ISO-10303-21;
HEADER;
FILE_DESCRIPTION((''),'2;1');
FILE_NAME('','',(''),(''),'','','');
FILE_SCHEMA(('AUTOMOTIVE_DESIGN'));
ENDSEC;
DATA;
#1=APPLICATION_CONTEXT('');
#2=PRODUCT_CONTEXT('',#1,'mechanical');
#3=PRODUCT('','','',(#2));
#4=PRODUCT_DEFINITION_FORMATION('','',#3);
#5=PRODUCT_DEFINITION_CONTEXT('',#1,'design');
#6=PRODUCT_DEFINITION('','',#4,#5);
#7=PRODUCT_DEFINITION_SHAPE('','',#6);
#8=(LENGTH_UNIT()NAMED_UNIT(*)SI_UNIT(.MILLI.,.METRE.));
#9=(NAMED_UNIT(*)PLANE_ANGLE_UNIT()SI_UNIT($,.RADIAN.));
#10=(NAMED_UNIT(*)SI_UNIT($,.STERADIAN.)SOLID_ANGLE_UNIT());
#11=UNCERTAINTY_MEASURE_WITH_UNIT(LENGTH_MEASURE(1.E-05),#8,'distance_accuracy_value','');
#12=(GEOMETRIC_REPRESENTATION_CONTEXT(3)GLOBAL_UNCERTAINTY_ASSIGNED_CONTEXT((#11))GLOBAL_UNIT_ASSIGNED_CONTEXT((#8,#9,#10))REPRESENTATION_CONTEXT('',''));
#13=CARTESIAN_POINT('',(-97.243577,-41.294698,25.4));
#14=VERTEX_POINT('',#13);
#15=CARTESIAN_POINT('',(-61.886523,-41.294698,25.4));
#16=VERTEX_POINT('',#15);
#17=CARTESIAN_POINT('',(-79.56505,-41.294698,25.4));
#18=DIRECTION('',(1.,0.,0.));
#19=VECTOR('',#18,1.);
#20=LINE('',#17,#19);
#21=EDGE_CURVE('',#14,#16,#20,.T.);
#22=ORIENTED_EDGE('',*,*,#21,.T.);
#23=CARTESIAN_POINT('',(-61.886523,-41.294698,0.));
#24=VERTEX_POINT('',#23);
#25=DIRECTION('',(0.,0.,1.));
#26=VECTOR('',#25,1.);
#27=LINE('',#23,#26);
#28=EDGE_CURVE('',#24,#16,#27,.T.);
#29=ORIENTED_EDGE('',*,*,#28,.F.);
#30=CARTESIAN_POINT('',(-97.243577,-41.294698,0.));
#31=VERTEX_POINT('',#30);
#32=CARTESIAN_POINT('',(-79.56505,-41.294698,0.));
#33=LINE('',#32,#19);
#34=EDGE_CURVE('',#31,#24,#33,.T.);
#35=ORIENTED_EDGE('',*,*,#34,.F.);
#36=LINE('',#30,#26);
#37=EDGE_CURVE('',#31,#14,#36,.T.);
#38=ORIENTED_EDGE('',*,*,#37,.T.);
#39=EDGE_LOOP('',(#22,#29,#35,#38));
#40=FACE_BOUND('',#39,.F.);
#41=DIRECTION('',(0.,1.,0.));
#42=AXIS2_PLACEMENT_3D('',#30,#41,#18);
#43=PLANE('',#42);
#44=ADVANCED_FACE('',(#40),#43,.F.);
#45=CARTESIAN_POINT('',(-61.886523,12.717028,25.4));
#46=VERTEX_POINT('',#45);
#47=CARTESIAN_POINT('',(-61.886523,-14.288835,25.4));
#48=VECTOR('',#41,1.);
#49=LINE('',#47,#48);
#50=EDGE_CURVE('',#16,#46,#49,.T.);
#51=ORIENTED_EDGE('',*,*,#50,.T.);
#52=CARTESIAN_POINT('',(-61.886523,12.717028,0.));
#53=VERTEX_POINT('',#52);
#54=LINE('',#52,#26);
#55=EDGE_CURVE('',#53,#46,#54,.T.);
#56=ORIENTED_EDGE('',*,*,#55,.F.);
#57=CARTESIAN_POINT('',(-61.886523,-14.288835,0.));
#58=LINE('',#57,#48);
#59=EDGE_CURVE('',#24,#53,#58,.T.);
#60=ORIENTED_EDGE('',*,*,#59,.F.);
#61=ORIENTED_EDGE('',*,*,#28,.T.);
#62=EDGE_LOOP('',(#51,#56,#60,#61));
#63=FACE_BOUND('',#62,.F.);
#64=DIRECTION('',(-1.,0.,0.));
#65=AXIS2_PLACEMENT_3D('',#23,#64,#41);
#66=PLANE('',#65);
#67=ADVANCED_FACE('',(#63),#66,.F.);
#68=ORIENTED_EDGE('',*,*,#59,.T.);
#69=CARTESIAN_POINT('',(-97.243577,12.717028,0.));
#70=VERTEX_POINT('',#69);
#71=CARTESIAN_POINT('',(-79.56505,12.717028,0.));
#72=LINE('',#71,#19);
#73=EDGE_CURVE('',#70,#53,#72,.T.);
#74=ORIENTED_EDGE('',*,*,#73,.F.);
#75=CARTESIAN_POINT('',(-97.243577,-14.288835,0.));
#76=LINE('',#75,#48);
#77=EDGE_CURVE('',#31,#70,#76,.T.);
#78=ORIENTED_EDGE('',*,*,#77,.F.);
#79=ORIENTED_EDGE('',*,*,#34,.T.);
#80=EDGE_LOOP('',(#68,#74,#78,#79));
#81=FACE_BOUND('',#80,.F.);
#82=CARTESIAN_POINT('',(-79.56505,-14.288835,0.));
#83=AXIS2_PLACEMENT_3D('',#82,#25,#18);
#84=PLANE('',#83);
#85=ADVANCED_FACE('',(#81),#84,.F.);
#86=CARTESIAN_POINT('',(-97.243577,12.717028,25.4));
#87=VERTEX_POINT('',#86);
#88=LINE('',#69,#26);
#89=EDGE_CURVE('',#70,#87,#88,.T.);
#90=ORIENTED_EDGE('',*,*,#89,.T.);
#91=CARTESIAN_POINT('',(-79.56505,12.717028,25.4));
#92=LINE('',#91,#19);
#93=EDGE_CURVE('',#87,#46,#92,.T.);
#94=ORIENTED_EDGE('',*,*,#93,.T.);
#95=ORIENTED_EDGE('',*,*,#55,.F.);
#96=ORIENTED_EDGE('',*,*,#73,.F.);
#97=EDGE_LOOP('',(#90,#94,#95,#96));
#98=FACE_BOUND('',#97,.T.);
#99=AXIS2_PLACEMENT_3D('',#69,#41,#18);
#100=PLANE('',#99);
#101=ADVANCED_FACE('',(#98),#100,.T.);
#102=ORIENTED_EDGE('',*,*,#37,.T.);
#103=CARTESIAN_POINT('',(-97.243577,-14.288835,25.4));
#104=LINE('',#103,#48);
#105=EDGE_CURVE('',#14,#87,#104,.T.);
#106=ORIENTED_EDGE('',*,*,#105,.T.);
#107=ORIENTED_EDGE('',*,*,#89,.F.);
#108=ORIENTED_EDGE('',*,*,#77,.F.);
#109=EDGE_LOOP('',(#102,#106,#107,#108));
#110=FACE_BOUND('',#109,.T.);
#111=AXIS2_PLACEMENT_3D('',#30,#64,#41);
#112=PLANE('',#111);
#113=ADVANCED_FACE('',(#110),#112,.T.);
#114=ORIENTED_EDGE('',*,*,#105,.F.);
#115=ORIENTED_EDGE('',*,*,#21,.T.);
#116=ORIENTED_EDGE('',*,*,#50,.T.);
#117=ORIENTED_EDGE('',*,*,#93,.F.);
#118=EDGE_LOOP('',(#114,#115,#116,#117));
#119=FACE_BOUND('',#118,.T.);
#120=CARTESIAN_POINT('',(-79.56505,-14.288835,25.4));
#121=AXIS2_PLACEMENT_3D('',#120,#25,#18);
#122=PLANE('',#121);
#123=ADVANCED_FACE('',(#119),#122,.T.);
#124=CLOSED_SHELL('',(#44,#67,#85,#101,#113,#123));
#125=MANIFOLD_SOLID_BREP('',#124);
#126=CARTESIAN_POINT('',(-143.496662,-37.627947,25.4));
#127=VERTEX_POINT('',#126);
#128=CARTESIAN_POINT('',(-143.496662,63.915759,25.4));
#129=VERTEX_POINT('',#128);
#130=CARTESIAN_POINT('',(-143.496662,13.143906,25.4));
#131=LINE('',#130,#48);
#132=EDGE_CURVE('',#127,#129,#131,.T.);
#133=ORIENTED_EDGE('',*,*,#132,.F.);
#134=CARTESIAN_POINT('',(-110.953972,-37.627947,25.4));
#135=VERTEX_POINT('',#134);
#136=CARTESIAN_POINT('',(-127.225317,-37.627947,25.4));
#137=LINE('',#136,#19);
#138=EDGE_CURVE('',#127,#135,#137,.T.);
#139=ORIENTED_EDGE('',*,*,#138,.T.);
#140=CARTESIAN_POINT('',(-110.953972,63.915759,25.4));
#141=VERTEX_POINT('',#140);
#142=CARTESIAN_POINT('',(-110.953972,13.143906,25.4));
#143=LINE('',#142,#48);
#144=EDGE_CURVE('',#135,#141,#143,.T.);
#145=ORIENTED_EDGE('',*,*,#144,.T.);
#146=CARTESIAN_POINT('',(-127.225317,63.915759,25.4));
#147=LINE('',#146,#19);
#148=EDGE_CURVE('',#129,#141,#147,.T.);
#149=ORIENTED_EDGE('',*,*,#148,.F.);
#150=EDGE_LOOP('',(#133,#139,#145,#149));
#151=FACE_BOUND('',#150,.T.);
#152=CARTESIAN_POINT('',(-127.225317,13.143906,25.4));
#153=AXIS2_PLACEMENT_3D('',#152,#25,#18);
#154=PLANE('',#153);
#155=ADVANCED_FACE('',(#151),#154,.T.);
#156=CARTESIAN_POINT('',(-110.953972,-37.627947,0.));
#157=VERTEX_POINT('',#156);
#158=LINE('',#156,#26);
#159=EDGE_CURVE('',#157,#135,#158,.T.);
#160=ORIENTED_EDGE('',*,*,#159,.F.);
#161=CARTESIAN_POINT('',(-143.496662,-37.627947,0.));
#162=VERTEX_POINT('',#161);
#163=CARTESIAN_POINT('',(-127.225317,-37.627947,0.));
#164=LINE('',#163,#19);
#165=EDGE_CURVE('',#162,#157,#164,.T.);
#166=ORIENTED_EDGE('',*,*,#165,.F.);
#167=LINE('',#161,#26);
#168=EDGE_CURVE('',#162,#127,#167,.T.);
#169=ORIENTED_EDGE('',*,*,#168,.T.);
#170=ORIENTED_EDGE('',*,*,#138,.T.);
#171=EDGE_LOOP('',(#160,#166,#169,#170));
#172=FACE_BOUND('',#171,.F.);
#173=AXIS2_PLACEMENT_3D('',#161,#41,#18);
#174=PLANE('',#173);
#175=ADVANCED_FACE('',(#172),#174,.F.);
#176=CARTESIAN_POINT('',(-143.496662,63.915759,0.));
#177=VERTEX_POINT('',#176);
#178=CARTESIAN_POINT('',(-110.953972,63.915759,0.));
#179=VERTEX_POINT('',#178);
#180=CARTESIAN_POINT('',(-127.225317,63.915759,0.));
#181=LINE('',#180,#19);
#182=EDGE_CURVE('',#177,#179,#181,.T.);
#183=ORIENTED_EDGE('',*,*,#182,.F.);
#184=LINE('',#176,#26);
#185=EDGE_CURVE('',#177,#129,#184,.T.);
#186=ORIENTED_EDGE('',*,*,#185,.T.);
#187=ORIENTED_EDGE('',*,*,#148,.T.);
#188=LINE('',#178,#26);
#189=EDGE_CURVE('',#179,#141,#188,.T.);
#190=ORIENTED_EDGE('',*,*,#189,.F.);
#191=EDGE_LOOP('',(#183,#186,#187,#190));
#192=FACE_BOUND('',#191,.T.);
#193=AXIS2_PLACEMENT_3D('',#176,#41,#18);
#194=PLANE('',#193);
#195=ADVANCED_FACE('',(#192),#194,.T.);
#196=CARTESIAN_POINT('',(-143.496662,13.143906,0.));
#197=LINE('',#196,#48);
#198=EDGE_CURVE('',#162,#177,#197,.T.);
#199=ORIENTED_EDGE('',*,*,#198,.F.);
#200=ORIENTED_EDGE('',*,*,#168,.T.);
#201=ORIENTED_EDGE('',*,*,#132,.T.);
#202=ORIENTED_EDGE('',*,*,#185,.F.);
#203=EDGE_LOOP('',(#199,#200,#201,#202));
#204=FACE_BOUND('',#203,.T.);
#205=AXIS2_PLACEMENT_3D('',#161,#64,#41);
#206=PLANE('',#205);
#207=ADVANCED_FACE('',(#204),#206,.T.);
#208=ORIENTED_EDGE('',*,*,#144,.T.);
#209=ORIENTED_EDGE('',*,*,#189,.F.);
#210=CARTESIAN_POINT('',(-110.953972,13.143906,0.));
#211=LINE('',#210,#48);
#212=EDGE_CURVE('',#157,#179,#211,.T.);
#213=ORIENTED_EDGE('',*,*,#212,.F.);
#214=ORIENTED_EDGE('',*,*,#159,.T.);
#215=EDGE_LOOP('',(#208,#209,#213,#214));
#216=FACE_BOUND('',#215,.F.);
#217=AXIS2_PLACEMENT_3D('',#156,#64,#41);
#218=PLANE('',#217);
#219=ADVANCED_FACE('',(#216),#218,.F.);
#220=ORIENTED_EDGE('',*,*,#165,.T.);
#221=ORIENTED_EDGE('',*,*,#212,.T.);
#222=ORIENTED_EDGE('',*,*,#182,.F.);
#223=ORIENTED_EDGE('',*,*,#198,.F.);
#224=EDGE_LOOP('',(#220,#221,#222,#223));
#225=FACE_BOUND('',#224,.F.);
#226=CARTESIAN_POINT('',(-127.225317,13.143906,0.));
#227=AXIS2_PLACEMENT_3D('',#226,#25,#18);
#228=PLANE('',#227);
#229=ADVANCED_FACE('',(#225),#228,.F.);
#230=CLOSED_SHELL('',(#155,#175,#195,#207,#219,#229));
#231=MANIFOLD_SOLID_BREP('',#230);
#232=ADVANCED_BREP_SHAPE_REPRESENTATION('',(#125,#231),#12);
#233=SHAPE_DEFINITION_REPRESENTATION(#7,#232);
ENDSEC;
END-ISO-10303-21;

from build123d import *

# Parameters (mm, degrees)
F0_W     = 32.54269
F0_H     = 101.543706
F0_W_2   = 35.357054
F0_H_2   = 54.011726
F1_DEPTH = 25.4


with BuildPart() as f1:
    # F0 (on Top) → F1 (new body)
    with BuildSketch(Plane.XY):
        with Locations((-127.225317, 13.143906)):
            Rectangle(F0_W, F0_H)
        with Locations((-79.56505, -14.288835)):
            Rectangle(F0_W_2, F0_H_2)
    extrude(amount=F1_DEPTH)


solid = f1.part
